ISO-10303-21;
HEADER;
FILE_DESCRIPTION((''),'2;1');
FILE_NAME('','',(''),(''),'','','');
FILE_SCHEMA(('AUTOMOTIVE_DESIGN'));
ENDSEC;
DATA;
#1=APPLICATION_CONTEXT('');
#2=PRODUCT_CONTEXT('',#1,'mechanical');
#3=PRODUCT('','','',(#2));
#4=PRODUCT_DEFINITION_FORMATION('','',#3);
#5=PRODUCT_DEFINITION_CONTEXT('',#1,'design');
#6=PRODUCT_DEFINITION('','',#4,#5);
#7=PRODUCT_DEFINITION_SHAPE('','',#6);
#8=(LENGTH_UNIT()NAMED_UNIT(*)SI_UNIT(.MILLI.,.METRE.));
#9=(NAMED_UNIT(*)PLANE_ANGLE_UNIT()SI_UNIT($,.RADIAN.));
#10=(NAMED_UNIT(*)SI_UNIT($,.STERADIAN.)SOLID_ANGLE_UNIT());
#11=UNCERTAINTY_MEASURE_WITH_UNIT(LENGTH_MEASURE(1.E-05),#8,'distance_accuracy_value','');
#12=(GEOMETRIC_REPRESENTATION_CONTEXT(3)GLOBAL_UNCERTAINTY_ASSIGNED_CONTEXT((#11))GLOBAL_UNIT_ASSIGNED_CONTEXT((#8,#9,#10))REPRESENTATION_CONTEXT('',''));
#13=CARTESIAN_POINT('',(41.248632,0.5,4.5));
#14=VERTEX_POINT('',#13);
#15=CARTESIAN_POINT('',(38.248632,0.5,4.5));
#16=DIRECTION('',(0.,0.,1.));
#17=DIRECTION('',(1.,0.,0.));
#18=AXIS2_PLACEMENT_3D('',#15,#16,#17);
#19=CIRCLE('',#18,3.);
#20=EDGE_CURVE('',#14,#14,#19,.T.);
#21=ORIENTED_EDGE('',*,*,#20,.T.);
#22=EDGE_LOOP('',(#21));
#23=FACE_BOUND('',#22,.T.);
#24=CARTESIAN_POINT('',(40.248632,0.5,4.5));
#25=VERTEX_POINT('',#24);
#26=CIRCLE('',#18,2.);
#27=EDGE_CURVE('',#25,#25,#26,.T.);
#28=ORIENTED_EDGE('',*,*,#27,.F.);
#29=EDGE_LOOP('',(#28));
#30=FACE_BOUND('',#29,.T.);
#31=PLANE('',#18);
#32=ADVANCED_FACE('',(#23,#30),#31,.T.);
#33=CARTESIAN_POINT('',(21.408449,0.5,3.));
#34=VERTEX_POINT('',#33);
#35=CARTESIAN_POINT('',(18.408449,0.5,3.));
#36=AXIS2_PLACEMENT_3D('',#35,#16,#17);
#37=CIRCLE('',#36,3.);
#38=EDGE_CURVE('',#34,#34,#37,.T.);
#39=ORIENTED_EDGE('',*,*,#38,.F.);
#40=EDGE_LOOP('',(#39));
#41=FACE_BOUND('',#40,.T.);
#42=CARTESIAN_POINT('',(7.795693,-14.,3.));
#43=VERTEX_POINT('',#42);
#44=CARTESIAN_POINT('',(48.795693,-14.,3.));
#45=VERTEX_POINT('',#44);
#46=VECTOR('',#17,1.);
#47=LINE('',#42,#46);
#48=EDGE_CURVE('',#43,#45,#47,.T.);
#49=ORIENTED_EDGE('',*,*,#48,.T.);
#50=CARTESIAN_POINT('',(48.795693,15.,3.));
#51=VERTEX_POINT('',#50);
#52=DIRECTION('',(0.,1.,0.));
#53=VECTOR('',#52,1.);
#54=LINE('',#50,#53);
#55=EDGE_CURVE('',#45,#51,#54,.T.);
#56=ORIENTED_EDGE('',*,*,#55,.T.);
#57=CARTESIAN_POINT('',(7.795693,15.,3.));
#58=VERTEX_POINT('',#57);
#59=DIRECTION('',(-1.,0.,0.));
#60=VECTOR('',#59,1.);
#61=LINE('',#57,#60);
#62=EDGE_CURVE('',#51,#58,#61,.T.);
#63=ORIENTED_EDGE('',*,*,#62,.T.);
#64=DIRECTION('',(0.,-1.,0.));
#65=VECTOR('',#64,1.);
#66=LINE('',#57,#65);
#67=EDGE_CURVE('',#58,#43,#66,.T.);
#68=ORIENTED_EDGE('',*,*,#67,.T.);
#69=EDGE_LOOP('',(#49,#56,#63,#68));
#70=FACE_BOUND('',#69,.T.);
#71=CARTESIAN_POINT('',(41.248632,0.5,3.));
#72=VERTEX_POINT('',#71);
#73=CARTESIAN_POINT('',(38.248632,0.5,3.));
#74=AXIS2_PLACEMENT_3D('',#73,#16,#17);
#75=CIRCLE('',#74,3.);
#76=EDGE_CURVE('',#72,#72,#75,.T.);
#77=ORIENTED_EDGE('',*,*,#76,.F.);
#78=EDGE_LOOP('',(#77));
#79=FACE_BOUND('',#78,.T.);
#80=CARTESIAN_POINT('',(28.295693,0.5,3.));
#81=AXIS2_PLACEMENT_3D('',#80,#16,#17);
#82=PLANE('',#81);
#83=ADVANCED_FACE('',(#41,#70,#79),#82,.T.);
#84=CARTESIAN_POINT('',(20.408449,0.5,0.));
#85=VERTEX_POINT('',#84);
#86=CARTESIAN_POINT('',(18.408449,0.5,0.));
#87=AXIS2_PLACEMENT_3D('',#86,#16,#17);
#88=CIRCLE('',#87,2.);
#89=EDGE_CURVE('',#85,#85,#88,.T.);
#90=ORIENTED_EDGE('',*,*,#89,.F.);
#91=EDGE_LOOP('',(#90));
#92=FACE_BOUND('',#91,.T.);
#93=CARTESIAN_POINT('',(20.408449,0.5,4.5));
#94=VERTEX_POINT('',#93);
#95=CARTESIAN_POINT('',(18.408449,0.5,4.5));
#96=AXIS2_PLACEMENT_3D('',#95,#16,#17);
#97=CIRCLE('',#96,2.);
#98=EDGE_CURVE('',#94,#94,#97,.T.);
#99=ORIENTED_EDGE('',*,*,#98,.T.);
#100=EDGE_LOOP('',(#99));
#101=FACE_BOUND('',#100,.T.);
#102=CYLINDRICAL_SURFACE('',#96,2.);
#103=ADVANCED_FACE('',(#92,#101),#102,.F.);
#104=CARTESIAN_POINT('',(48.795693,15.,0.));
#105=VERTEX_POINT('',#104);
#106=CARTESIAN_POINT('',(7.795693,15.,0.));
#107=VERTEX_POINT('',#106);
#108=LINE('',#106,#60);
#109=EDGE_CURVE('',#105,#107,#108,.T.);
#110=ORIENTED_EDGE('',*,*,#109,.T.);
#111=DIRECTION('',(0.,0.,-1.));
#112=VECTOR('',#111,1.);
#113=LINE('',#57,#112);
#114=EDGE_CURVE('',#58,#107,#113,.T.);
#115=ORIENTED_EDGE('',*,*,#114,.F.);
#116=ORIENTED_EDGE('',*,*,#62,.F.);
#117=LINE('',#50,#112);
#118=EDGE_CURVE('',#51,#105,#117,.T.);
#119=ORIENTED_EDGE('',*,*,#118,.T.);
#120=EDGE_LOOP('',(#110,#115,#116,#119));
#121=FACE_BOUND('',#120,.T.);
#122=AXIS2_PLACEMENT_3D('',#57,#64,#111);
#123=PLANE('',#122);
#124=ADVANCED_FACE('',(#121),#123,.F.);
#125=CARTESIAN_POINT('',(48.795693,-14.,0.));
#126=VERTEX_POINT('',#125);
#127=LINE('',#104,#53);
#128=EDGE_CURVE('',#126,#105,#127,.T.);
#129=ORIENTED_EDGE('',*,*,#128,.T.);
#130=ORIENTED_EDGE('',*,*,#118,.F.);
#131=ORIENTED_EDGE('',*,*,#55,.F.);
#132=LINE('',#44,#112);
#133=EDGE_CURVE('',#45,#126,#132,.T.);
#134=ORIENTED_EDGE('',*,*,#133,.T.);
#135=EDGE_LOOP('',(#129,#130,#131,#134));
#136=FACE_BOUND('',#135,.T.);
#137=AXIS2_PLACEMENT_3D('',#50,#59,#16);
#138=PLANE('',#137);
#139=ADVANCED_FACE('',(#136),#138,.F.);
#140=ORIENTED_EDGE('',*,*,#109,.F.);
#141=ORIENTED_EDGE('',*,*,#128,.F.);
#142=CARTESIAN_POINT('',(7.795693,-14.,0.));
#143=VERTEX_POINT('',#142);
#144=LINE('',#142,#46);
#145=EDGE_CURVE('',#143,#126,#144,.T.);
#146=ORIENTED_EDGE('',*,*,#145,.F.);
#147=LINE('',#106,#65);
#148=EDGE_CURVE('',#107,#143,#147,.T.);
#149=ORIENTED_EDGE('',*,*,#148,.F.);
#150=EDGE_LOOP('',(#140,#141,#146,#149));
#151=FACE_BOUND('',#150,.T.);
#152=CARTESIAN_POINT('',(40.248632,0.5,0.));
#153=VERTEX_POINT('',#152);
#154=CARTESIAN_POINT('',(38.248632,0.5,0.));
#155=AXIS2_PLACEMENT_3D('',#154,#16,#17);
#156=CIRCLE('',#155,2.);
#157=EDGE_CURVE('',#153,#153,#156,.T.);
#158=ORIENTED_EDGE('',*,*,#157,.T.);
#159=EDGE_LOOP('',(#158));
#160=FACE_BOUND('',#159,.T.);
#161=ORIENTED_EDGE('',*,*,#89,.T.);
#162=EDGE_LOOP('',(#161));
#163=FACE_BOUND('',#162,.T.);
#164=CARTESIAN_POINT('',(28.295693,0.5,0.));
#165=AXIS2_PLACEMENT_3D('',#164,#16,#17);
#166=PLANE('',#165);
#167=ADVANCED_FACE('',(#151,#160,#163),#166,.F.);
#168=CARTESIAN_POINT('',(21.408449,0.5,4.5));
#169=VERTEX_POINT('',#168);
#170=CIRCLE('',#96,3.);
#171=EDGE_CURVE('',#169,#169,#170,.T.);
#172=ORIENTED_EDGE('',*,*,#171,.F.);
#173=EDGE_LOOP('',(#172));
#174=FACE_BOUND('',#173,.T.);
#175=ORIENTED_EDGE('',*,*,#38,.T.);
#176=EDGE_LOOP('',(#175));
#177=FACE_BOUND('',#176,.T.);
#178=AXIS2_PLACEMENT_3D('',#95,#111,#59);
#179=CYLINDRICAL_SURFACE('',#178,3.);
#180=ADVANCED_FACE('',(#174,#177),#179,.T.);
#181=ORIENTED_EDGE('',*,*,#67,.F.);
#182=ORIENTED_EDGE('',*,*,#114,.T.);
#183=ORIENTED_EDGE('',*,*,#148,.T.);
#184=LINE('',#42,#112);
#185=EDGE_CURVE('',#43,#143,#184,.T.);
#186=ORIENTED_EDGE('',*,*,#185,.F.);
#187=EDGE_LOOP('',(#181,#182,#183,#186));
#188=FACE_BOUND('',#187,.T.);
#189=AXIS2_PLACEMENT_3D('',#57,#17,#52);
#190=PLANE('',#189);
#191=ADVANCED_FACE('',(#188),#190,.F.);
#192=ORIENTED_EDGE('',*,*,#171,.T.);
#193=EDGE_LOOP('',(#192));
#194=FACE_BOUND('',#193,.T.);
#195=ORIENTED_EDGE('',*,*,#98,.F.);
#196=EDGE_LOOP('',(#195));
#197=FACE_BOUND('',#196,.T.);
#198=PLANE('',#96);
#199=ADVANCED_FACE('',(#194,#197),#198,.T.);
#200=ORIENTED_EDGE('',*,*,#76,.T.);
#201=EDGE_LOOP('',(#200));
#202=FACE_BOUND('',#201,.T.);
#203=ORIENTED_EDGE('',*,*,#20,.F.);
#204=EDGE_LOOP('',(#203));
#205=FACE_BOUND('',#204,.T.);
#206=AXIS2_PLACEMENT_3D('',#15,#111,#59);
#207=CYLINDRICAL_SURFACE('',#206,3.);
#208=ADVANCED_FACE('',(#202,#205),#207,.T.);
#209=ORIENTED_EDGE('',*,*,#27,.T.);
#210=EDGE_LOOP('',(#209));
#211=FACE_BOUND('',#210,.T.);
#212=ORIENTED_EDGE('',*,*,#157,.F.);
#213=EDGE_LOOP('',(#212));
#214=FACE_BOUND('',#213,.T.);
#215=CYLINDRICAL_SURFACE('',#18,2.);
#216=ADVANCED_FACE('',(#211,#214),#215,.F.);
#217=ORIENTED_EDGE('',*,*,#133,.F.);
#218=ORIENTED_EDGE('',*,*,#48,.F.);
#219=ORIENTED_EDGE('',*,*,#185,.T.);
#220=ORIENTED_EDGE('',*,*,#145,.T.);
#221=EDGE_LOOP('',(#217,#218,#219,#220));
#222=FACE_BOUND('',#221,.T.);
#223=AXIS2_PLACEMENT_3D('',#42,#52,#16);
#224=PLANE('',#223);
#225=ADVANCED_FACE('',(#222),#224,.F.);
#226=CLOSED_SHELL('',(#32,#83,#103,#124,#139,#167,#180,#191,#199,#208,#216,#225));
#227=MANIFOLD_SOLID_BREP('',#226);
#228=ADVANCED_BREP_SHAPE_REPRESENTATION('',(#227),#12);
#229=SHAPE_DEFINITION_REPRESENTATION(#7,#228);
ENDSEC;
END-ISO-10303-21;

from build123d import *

# Parameters (mm, degrees)
SKETCH1_W                = 41
SKETCH1_H                = 29
BOSS_EXTRUDE1_DEPTH      = 3
SKETCH11_R               = 3
BOSS_EXTRUDE2_DEPTH      = 1.5
F_4_0_4_DIAMETER_HOLE1_D = 4


with BuildPart() as part:
    # Sketch1 → Boss-Extrude1 (new body)
    with BuildSketch(Plane.XY):
        Rectangle(SKETCH1_W, SKETCH1_H)
    extrude(amount=BOSS_EXTRUDE1_DEPTH)


with BuildPart() as part_1:
    # Body-Move/Copy1: moved
    add(part.part.moved(Location((0.5, 0.5, 0))))

    # Sketch11 → Boss-Extrude2 (add)
    with BuildSketch(Plane.XY.offset(3)):
        with Locations((-9.387244392, 0.5)):
            Circle(SKETCH11_R)
        with Locations((10.452938647, 0.5)):
            Circle(SKETCH11_R)
    extrude(amount=BOSS_EXTRUDE2_DEPTH)

    # Ø4.0 (4) Diameter Hole1 (through all)
    with Locations(Plane.XY.offset(4.5)):
        with Locations((-9.387244392, 0.5), (10.452938647, 0.5)):
            Hole(F_4_0_4_DIAMETER_HOLE1_D / 2)


with BuildPart() as part_2:
    # Body-Move/Copy8: moved
    add(part_1.part.moved(Location((27.795693281, 0, 0))))


solid = part_2.part
